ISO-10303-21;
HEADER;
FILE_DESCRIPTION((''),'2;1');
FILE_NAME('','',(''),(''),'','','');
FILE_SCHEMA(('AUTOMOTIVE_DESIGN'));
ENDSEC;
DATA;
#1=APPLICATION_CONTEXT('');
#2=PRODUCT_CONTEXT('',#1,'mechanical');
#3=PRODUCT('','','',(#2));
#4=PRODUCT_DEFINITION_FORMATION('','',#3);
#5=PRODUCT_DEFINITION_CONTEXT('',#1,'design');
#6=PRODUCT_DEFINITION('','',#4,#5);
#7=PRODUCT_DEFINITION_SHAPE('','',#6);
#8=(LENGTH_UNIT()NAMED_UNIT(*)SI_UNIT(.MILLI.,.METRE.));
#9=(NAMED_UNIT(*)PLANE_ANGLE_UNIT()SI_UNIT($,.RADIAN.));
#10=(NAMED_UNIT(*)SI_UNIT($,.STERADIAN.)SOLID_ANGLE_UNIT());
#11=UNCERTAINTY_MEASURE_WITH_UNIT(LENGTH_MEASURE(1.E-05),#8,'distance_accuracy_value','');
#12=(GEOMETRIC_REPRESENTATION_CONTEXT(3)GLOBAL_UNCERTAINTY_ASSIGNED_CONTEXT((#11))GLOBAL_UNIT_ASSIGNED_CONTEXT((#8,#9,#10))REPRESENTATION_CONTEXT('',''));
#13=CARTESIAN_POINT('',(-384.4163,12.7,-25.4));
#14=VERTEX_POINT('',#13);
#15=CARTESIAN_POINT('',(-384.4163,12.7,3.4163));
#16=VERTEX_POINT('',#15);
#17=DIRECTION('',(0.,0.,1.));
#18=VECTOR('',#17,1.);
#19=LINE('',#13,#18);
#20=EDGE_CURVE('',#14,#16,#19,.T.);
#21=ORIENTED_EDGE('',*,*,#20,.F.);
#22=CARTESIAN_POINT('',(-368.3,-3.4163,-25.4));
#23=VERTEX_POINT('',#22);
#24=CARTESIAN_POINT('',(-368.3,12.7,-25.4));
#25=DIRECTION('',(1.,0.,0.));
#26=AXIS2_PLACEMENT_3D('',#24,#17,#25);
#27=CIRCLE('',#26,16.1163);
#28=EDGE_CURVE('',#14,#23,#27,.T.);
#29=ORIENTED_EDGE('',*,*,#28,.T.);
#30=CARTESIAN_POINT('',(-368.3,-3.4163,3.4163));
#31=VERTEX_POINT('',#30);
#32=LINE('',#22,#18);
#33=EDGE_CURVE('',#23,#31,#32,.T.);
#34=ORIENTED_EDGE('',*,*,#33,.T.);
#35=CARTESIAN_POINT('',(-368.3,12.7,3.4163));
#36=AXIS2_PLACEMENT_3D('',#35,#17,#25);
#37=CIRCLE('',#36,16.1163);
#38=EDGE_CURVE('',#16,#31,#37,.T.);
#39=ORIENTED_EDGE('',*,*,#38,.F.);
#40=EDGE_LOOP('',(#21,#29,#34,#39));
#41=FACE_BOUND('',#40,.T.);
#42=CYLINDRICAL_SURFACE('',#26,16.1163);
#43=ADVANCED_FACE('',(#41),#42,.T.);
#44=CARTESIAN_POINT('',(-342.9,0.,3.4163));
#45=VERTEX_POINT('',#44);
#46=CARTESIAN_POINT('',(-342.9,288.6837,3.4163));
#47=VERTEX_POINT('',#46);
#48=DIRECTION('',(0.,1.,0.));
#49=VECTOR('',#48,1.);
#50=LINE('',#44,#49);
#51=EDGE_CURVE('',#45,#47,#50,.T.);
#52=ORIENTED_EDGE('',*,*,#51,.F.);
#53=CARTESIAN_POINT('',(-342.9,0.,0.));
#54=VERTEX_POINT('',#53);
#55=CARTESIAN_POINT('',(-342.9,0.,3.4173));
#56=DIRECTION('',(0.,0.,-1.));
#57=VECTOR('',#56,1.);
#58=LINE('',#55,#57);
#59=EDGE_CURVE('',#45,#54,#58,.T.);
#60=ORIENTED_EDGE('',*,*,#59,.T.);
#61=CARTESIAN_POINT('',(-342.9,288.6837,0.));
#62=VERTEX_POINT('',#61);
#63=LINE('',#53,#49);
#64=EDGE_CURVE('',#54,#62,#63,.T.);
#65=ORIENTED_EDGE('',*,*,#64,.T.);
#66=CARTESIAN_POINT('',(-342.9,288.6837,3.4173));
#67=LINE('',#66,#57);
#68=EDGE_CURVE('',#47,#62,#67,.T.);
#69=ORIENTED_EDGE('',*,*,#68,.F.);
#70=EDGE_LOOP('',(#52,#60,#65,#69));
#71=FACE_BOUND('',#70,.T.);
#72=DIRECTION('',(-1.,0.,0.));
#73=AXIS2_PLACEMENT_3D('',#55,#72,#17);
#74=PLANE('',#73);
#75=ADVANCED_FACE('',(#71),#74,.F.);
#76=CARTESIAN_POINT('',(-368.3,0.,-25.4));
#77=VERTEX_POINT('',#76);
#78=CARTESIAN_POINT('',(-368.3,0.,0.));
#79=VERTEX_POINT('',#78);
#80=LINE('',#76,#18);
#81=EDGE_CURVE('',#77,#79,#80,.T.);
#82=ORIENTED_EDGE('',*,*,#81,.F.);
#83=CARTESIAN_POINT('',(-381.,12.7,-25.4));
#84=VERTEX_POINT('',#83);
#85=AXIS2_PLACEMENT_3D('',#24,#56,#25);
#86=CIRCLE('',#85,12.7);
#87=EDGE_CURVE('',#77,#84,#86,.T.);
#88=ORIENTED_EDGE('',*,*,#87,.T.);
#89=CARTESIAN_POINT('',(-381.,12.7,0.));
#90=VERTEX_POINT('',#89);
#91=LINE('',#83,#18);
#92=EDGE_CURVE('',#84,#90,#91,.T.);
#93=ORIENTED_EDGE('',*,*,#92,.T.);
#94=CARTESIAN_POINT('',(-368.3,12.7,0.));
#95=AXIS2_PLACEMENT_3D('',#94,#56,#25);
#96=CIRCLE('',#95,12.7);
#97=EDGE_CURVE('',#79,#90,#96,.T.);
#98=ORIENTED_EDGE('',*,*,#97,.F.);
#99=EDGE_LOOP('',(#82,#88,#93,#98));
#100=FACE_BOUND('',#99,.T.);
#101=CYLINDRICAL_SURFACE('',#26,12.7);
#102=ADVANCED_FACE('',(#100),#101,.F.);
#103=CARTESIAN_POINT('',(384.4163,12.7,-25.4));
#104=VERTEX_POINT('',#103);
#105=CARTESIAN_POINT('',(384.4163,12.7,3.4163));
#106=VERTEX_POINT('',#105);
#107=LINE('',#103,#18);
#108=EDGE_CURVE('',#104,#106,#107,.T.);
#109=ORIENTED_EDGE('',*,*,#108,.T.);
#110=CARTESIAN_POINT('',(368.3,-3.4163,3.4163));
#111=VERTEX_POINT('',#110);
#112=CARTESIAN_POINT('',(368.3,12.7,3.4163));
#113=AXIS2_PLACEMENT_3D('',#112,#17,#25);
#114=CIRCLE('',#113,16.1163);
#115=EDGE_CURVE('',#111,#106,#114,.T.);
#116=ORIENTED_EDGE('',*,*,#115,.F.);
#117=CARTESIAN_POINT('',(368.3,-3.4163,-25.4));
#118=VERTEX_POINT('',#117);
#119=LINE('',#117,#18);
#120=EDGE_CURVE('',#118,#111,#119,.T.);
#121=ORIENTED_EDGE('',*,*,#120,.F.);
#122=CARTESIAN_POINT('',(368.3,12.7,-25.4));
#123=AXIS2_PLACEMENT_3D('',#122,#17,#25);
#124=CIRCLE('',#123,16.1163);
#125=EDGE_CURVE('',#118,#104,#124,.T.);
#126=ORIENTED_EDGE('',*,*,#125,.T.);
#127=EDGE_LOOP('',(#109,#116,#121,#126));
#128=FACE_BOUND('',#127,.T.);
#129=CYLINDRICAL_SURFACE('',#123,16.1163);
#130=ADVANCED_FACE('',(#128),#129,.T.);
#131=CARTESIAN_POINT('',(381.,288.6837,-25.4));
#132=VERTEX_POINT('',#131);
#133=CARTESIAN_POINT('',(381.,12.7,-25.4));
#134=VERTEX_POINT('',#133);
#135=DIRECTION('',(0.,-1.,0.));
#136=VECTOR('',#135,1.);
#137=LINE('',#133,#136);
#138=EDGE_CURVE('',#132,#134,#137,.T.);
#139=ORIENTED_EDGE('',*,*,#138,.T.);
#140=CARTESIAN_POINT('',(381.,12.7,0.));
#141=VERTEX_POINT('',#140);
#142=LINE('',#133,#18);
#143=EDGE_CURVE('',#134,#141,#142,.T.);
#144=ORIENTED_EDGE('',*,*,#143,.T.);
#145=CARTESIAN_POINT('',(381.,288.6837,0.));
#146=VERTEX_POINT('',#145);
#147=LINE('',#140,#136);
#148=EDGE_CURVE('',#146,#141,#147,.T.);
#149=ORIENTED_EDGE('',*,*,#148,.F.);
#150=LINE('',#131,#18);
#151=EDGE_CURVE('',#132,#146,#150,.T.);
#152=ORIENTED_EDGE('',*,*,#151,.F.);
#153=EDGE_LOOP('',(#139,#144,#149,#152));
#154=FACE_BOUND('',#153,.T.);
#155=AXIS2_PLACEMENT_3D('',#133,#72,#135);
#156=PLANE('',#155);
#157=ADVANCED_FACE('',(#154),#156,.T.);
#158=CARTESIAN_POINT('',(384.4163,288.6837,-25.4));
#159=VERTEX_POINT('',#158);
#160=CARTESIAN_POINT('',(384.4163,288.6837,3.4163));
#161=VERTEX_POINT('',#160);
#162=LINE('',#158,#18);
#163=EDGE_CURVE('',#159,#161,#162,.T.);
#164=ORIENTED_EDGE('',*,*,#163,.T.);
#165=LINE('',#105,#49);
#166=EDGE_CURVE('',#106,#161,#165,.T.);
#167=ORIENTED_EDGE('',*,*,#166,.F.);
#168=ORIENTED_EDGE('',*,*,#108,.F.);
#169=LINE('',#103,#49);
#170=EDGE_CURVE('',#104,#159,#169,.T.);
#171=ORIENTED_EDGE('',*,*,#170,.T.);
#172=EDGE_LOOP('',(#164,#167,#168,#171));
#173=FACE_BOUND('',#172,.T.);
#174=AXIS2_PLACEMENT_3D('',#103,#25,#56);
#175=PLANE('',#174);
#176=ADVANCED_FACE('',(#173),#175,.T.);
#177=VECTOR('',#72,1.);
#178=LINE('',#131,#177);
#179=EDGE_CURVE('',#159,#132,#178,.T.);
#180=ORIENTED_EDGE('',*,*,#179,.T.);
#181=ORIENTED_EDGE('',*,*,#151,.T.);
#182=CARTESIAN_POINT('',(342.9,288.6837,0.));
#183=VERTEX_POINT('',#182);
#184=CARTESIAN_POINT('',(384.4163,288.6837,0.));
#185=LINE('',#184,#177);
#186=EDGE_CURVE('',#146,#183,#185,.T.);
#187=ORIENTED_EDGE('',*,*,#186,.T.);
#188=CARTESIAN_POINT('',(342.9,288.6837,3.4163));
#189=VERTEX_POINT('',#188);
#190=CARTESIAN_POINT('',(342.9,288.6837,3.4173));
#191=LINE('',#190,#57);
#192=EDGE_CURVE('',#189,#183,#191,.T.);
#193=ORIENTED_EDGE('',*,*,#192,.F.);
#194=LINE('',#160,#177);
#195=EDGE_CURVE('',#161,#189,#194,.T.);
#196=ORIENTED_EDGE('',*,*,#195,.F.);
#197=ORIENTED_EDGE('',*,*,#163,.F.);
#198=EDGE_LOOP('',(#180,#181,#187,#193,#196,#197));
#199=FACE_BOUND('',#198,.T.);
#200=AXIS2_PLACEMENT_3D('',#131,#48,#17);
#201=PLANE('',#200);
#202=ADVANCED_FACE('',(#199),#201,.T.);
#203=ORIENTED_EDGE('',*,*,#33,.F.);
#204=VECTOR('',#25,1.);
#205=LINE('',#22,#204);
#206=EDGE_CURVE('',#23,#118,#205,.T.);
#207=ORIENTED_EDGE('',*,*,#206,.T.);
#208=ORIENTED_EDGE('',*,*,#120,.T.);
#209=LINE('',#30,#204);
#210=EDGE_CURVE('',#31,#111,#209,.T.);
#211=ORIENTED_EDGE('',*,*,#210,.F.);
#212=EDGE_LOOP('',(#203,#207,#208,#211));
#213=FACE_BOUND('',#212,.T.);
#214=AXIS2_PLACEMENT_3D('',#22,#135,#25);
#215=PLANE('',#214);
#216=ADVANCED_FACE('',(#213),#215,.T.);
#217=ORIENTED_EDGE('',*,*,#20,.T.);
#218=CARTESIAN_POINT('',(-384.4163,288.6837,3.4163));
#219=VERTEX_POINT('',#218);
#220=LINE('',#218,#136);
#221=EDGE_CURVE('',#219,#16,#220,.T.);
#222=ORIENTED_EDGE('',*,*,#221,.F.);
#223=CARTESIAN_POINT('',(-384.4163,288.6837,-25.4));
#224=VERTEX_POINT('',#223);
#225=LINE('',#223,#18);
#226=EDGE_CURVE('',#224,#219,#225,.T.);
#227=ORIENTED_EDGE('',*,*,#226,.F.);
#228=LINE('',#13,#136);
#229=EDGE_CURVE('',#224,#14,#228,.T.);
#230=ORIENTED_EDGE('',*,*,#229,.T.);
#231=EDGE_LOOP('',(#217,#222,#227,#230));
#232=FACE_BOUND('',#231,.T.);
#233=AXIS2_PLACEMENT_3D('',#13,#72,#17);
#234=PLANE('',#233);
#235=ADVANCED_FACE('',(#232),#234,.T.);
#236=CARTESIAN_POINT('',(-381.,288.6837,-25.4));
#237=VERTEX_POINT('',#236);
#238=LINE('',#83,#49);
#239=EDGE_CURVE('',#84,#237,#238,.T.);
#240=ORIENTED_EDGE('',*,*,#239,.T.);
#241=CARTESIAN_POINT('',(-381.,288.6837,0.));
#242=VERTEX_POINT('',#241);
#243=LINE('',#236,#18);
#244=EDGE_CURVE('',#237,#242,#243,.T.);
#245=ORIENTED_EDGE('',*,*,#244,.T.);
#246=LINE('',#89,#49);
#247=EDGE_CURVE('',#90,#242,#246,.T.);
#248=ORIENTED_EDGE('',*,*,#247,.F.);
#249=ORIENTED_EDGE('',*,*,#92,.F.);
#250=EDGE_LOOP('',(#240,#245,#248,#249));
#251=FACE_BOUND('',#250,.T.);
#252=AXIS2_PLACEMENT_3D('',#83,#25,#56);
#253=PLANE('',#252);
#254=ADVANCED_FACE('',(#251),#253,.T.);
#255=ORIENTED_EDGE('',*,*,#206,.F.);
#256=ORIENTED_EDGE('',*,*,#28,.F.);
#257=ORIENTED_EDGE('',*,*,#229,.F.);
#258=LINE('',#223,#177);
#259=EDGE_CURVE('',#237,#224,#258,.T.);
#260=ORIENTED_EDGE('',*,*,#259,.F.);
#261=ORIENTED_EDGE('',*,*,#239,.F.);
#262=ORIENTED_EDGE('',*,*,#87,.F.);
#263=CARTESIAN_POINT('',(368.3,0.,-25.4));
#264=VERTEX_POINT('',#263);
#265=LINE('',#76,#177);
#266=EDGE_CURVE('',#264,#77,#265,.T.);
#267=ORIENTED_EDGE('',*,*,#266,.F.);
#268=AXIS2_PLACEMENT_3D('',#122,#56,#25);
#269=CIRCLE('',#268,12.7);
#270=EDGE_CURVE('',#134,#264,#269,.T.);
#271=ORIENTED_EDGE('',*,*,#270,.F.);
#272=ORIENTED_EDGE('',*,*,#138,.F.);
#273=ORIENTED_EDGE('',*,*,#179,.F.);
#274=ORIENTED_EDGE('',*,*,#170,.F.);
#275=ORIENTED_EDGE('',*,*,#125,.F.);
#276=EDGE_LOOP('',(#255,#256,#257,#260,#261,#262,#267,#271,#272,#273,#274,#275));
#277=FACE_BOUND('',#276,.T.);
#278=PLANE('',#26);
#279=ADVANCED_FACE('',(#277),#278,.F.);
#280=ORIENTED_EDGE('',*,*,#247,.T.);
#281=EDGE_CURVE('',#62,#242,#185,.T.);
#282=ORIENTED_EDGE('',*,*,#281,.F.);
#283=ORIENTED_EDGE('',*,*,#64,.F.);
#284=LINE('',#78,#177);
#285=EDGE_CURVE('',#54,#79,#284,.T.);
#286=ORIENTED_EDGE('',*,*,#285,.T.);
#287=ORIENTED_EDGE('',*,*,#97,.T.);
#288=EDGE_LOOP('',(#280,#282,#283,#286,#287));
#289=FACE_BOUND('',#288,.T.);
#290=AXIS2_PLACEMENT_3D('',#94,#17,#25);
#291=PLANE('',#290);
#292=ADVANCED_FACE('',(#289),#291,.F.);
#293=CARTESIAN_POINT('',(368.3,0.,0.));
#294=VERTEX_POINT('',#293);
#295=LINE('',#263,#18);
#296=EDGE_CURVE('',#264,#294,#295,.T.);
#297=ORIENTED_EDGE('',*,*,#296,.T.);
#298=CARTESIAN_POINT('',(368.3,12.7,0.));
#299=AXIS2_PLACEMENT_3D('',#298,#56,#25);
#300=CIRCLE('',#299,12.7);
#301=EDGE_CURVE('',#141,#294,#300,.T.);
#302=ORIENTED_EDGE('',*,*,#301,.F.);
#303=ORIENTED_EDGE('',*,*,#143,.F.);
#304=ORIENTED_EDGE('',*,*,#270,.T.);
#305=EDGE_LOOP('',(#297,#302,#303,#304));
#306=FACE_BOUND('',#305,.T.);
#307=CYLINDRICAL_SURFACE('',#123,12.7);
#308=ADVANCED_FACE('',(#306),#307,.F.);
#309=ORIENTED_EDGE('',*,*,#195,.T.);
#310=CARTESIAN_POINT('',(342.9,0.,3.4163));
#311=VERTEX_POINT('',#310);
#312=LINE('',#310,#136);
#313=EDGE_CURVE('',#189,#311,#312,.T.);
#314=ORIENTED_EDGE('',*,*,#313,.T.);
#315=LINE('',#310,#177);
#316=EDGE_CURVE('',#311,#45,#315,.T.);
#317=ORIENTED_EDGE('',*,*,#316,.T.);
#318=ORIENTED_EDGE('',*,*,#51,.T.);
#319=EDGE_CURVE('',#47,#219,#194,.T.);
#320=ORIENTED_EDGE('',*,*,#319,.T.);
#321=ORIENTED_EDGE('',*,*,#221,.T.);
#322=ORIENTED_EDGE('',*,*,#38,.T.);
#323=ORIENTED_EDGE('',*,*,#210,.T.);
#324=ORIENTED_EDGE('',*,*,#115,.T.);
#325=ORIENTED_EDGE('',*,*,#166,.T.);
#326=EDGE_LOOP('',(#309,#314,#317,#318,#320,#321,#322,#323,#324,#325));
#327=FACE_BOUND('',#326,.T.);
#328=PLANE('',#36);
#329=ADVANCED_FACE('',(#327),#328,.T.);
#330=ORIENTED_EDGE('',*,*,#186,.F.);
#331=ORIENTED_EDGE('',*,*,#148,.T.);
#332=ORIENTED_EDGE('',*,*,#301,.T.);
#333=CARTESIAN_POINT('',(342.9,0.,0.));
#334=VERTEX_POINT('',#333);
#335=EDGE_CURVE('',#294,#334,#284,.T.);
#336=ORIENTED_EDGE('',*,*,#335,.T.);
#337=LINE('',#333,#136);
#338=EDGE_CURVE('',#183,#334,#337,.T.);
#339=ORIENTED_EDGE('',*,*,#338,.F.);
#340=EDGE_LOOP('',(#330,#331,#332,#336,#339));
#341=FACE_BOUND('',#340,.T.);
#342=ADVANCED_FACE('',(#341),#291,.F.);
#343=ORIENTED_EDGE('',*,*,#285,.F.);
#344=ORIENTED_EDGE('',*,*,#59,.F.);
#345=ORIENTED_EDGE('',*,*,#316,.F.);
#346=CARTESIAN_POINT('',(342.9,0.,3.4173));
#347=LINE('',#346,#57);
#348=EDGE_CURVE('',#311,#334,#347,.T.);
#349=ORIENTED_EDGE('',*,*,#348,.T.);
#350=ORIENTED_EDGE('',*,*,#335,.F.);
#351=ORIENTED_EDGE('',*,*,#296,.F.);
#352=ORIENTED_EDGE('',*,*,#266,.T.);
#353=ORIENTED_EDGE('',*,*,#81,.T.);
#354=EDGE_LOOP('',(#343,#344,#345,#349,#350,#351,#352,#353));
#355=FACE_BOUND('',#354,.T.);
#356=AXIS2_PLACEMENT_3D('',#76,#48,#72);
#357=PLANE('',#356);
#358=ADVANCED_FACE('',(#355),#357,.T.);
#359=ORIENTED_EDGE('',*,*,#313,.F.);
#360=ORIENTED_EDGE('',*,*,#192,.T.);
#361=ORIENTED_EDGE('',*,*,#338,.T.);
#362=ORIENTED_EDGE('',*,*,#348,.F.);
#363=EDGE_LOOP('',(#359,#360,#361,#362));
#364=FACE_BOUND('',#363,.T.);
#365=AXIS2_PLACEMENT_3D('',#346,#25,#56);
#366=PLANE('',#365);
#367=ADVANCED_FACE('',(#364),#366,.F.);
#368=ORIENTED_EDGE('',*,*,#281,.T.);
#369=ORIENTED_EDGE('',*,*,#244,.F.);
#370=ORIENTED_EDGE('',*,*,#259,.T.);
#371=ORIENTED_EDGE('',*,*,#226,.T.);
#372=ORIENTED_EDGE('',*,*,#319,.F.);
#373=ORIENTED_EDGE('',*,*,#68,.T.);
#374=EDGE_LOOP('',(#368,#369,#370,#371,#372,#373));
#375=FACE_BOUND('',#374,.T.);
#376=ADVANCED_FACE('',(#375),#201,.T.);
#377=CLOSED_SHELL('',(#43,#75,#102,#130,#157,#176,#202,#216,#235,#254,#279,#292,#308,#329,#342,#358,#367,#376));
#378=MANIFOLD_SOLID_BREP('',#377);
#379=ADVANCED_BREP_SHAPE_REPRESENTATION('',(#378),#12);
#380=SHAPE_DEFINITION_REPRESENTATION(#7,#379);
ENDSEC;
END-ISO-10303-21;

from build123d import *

# Parameters (mm, degrees)
SIDE_DEPTH     = 25.4
PANEL_DEPTH    = 3.4163
BACK_CUT_REACH = 5.416
SKETCH4_W      = 685.8
SKETCH4_H      = 288.6837


with BuildPart() as part:
    # Sketch2 → Side (new body)
    with BuildSketch(Plane.XY):
        with BuildLine():
            Line((-381, 12.7), (-381, 288.6837))
            Line((-381, 288.6837), (-384.4163, 288.6837))
            Line((-384.4163, 288.6837), (-384.4163, 12.7))
            ThreePointArc((-384.4163, 12.7), (-379.695945018, 1.304054982), (-368.3, -3.4163))
            Line((-368.3, -3.4163), (368.3, -3.4163))
            ThreePointArc((368.3, -3.4163), (379.695945018, 1.304054982), (384.4163, 12.7))
            Line((384.4163, 12.7), (384.4163, 288.6837))
            Line((384.4163, 288.6837), (381, 288.6837))
            Line((381, 288.6837), (381, 12.7))
            ThreePointArc((381, 12.7), (377.280256121, 3.719743879), (368.3, 0))
            Line((368.3, 0), (-368.3, 0))
            ThreePointArc((-368.3, 0), (-377.280256121, 3.719743879), (-381, 12.7))
        make_face()
    extrude(amount=-SIDE_DEPTH)

    # Sketch3 → Panel (add)
    with BuildSketch(Plane.XY):
        with BuildLine():
            Line((-368.3, -3.4163), (368.3, -3.4163))
            ThreePointArc((368.3, -3.4163), (379.695945018, 1.304054982), (384.4163, 12.7))
            Line((384.4163, 12.7), (384.4163, 288.6837))
            Line((384.4163, 288.6837), (-384.4163, 288.6837))
            Line((-384.4163, 288.6837), (-384.4163, 12.7))
            ThreePointArc((-384.4163, 12.7), (-379.695945018, 1.304054982), (-368.3, -3.4163))
        make_face()
    extrude(amount=PANEL_DEPTH)

    # Sketch4 → Back Cut (cut, up to next)
    with BuildSketch(Plane(origin=(0, 0, 0), x_dir=(-1, 0, 0), z_dir=(0, 0, -1)), mode=Mode.PRIVATE) as back_cut_sk1:
        with Locations((0, 144.34185)):
            Rectangle(SKETCH4_W, SKETCH4_H)
    back_cut_tool1 = extrude(back_cut_sk1.sketch, amount=-BACK_CUT_REACH, mode=Mode.PRIVATE) & part.part
    add(back_cut_tool1.solids().sort_by_distance((0, 144.34185, 0))[0], mode=Mode.SUBTRACT)


solid = part.part
